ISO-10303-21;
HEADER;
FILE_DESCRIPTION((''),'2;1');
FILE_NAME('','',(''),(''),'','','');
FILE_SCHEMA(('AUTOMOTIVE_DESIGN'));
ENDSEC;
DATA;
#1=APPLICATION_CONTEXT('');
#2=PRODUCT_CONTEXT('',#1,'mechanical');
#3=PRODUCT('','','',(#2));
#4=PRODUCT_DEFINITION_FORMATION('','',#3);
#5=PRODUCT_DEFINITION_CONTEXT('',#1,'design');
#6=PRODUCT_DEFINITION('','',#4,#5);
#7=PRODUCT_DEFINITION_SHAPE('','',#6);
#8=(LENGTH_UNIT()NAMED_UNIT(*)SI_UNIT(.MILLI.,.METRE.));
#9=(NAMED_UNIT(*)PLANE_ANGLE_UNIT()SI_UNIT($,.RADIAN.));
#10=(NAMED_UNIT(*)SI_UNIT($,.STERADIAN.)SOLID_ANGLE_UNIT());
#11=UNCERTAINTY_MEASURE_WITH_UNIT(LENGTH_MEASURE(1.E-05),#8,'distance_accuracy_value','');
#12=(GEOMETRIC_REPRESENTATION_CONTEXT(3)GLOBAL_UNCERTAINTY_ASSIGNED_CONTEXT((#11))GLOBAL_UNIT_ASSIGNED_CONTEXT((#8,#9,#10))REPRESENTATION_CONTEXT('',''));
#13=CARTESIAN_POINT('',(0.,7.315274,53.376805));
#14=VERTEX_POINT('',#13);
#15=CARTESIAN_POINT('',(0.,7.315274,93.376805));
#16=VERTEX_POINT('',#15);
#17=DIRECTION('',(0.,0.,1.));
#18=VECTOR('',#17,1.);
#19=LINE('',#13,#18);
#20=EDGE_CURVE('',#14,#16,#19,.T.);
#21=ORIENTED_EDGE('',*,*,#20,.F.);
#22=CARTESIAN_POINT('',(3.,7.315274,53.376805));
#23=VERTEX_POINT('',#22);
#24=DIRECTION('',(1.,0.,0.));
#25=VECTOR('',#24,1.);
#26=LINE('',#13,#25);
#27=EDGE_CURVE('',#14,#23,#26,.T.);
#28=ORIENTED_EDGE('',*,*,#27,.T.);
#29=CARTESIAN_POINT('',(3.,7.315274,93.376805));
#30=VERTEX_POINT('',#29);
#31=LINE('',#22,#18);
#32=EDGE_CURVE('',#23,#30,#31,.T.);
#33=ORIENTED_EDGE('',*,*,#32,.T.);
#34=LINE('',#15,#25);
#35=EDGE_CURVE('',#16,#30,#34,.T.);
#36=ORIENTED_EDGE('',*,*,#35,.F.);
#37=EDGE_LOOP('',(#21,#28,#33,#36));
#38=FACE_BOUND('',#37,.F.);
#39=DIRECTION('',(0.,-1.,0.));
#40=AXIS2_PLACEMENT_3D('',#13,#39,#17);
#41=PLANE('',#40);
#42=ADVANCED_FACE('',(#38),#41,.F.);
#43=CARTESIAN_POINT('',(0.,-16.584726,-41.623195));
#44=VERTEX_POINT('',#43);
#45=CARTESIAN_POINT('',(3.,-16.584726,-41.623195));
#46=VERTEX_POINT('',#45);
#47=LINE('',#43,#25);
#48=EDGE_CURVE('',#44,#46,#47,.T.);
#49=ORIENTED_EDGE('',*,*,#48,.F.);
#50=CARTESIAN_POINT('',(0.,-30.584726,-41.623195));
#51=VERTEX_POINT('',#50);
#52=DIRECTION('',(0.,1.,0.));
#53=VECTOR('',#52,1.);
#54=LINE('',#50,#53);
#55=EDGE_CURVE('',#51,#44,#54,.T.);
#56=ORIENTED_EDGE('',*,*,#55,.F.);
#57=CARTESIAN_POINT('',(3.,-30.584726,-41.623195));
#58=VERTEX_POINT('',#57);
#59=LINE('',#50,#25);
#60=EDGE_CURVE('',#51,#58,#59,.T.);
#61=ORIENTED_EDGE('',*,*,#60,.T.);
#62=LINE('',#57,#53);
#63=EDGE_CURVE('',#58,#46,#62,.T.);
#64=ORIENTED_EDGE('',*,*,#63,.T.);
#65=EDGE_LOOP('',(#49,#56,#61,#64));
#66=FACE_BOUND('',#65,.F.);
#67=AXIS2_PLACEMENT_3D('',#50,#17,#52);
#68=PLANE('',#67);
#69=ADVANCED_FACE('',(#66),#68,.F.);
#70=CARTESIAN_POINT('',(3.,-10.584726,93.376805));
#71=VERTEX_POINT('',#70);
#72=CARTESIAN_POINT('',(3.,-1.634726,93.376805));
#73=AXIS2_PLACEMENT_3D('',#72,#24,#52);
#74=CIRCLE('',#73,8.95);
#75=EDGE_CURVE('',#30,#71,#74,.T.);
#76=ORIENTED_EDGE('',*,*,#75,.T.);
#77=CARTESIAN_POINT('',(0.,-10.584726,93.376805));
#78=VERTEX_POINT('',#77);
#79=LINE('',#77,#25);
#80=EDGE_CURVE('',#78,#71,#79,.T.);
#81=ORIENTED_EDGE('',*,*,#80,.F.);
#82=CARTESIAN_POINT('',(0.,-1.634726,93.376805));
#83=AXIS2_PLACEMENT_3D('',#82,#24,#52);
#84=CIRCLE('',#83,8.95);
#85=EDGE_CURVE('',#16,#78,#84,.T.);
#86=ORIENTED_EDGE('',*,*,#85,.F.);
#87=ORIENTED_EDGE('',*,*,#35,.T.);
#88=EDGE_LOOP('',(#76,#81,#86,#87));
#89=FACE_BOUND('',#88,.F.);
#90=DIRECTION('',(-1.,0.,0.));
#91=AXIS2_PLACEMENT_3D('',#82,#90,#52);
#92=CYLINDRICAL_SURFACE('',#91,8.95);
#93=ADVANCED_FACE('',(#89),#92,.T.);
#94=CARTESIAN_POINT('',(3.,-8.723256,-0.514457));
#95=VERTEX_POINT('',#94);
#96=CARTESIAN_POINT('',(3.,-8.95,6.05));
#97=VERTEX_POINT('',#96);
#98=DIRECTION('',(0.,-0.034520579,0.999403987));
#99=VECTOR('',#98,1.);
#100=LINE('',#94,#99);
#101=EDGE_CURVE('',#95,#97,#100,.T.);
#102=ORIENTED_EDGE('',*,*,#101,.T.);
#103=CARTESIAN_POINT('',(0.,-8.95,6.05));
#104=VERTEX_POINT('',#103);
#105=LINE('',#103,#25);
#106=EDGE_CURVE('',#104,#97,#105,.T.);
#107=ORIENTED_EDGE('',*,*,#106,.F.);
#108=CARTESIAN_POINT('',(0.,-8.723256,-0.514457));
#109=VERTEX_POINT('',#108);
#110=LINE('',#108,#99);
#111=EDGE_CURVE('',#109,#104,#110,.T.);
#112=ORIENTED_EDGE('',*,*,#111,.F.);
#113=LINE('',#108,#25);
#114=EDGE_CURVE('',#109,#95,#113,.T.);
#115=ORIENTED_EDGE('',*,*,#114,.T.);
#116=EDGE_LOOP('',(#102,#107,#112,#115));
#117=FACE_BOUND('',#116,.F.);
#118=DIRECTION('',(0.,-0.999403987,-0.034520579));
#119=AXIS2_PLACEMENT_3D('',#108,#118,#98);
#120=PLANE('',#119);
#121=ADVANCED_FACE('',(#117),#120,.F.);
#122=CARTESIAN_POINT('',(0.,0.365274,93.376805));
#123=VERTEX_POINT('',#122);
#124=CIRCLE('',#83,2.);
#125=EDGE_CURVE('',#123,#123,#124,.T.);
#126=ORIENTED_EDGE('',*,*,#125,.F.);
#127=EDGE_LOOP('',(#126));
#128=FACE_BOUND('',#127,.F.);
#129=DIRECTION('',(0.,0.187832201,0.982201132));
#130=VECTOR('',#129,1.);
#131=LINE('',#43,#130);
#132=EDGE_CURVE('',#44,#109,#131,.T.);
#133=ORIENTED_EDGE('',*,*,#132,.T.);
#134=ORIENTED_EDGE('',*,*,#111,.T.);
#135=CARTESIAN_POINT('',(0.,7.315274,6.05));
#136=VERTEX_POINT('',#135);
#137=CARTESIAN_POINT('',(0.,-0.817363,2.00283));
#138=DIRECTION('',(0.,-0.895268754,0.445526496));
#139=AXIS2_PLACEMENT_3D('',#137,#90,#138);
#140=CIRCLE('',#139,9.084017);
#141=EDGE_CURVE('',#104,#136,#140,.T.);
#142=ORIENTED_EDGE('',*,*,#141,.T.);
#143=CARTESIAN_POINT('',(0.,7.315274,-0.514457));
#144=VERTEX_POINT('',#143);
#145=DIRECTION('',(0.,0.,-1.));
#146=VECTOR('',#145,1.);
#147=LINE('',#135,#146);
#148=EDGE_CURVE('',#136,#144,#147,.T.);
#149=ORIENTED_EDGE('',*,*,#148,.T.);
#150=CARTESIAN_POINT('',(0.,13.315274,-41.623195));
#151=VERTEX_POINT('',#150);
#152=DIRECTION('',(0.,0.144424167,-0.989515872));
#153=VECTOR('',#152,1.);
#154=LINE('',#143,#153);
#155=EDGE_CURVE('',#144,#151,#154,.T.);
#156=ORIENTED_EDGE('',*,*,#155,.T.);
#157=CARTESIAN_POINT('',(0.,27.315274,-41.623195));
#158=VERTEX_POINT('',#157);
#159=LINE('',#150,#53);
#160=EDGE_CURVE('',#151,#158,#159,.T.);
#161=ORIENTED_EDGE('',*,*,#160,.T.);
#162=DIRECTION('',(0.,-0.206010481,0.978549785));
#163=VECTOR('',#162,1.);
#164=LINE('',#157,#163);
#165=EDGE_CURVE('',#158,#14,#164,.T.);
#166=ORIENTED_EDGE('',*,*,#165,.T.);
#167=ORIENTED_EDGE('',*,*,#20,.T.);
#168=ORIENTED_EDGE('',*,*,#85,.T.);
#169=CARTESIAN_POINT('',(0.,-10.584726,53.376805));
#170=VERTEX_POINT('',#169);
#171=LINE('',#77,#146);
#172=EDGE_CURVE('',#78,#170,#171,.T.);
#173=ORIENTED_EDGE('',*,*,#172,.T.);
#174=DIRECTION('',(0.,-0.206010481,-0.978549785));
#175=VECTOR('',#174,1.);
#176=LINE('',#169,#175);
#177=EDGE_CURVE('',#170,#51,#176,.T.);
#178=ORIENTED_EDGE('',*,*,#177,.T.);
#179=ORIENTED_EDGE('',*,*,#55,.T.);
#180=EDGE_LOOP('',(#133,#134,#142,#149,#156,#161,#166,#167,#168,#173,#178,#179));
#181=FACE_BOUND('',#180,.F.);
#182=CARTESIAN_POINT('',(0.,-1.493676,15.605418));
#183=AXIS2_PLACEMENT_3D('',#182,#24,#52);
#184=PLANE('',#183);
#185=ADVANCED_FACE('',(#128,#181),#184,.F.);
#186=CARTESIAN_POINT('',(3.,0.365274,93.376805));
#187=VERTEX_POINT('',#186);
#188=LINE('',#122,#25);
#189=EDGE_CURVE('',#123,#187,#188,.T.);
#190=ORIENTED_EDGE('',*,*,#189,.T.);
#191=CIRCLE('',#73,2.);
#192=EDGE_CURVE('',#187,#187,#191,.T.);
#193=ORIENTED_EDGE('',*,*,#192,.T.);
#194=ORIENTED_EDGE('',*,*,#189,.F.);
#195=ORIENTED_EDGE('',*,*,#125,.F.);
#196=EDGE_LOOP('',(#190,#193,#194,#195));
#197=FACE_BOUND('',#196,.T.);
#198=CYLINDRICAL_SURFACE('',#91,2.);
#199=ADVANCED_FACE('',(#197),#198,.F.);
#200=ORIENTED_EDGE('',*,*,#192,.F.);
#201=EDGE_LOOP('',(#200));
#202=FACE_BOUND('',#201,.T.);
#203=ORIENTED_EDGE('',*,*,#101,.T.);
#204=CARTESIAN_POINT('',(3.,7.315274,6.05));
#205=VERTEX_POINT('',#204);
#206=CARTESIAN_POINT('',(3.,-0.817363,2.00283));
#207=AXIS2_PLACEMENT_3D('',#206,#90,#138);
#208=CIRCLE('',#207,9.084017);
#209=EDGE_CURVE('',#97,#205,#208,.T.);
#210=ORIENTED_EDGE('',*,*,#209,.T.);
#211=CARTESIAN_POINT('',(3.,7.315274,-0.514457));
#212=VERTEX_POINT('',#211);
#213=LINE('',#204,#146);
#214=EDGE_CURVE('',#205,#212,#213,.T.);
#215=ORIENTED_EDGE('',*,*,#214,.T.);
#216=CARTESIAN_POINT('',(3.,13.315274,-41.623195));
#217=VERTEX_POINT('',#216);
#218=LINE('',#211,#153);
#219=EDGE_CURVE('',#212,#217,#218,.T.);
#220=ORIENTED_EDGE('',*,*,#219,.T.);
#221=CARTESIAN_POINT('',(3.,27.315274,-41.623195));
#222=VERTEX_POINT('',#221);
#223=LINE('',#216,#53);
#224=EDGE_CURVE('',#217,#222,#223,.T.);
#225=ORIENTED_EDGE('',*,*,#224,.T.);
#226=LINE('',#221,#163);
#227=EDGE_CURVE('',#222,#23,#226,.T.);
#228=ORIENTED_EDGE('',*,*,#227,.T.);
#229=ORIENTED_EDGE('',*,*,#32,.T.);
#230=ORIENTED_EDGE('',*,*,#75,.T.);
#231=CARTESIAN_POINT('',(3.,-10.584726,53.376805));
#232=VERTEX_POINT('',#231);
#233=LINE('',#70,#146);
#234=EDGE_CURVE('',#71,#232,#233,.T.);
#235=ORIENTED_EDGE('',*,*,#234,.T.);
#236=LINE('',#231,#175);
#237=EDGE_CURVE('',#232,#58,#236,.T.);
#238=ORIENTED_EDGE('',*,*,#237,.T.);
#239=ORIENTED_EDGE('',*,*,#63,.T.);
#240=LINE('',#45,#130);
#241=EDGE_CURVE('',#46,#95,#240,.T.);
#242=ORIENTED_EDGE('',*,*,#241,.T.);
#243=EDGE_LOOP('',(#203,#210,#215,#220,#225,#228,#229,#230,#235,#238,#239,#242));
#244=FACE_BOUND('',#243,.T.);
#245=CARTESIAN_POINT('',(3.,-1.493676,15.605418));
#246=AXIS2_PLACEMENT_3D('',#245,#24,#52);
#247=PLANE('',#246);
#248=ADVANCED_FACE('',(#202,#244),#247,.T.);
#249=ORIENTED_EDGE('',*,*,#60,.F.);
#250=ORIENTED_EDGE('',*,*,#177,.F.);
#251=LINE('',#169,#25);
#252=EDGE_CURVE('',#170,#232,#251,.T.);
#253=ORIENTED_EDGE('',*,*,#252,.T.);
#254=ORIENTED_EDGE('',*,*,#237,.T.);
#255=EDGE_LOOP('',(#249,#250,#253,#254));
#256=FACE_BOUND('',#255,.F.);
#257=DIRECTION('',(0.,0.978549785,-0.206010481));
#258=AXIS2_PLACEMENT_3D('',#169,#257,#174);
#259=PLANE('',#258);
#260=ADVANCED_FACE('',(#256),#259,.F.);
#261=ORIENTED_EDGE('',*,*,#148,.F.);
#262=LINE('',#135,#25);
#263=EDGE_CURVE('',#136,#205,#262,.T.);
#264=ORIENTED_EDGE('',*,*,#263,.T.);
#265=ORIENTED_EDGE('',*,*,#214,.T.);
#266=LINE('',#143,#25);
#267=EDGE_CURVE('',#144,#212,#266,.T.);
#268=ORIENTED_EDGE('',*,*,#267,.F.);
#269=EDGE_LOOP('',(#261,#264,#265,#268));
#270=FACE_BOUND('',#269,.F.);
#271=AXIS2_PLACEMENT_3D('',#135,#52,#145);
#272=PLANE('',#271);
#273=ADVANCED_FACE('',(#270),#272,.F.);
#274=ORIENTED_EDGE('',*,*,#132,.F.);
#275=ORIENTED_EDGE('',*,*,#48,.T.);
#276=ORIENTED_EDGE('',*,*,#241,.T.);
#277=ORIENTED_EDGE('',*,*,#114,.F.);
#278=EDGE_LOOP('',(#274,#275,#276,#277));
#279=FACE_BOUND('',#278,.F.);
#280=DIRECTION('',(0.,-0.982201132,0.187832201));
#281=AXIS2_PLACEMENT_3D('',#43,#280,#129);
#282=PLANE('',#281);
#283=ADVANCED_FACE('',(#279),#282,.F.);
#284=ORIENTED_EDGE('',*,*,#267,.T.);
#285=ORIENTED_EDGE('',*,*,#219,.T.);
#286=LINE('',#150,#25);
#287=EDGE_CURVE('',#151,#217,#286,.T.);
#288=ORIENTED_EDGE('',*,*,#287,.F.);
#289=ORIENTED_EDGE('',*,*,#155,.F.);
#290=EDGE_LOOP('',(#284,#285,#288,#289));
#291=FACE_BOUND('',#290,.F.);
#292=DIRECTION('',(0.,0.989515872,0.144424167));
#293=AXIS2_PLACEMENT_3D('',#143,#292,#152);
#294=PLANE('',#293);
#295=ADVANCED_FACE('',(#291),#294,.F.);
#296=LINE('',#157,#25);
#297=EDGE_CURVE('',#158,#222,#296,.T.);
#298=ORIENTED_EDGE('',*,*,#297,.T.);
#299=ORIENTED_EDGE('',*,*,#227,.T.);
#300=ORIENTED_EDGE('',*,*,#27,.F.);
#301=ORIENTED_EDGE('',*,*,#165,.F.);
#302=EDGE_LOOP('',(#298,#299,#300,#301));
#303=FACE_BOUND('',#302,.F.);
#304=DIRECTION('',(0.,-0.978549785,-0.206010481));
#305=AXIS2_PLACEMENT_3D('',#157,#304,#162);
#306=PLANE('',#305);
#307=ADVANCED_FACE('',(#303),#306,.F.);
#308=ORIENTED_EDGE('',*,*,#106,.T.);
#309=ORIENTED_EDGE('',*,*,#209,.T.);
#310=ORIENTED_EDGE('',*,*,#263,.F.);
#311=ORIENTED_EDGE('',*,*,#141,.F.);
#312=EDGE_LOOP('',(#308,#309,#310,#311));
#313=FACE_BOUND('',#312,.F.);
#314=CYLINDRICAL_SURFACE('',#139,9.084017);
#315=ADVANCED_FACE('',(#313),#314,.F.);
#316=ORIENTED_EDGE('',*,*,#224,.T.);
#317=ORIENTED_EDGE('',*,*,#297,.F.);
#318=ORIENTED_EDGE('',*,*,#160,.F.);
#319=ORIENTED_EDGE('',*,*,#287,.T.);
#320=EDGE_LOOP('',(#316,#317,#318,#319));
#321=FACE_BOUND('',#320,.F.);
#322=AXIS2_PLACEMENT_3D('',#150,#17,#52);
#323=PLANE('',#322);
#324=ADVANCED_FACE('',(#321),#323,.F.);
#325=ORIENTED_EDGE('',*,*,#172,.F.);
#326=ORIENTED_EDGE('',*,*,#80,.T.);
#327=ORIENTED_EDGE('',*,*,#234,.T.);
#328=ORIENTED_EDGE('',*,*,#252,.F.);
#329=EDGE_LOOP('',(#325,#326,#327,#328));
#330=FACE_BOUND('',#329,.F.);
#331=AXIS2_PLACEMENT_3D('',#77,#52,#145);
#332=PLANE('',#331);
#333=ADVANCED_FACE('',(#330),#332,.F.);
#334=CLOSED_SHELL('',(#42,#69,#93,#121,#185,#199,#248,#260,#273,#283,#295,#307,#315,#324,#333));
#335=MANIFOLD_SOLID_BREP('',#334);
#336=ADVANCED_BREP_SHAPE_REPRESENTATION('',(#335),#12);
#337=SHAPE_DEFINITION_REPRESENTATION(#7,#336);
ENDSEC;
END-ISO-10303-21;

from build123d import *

# Parameters (mm, degrees)
F1_R     = 2
F2_DEPTH = 3


with BuildPart() as f2:
    # F1 (on face) → F2 (new body)
    with BuildSketch(Plane.YZ):
        with BuildLine():
            Line((7.315274, 53.376805), (7.315274, 93.376805))
            ThreePointArc((7.315274, 93.376805), (-1.634726, 102.326805), (-10.584726, 93.376805))
            Line((-10.584726, 93.376805), (-10.584726, 53.376805))
            Line((-10.584726, 53.376805), (-30.584726, -41.623195))
            Line((-30.584726, -41.623195), (-16.584726, -41.623195))
            Line((-16.584726, -41.623195), (-8.723256, -0.514457))
            Line((-8.723256, -0.514457), (-8.95, 6.05))
            ThreePointArc((-8.95, 6.05), (-0.817363, 11.086847), (7.315274, 6.05))
            Line((7.315274, 6.05), (7.315274, -0.514457))
            Line((7.315274, -0.514457), (13.315274, -41.623195))
            Line((13.315274, -41.623195), (27.315274, -41.623195))
            Line((27.315274, -41.623195), (7.315274, 53.376805))
        make_face()
        with Locations((-1.634726, 93.376805)):
            Circle(F1_R, mode=Mode.SUBTRACT)
    extrude(amount=F2_DEPTH)


solid = f2.part
